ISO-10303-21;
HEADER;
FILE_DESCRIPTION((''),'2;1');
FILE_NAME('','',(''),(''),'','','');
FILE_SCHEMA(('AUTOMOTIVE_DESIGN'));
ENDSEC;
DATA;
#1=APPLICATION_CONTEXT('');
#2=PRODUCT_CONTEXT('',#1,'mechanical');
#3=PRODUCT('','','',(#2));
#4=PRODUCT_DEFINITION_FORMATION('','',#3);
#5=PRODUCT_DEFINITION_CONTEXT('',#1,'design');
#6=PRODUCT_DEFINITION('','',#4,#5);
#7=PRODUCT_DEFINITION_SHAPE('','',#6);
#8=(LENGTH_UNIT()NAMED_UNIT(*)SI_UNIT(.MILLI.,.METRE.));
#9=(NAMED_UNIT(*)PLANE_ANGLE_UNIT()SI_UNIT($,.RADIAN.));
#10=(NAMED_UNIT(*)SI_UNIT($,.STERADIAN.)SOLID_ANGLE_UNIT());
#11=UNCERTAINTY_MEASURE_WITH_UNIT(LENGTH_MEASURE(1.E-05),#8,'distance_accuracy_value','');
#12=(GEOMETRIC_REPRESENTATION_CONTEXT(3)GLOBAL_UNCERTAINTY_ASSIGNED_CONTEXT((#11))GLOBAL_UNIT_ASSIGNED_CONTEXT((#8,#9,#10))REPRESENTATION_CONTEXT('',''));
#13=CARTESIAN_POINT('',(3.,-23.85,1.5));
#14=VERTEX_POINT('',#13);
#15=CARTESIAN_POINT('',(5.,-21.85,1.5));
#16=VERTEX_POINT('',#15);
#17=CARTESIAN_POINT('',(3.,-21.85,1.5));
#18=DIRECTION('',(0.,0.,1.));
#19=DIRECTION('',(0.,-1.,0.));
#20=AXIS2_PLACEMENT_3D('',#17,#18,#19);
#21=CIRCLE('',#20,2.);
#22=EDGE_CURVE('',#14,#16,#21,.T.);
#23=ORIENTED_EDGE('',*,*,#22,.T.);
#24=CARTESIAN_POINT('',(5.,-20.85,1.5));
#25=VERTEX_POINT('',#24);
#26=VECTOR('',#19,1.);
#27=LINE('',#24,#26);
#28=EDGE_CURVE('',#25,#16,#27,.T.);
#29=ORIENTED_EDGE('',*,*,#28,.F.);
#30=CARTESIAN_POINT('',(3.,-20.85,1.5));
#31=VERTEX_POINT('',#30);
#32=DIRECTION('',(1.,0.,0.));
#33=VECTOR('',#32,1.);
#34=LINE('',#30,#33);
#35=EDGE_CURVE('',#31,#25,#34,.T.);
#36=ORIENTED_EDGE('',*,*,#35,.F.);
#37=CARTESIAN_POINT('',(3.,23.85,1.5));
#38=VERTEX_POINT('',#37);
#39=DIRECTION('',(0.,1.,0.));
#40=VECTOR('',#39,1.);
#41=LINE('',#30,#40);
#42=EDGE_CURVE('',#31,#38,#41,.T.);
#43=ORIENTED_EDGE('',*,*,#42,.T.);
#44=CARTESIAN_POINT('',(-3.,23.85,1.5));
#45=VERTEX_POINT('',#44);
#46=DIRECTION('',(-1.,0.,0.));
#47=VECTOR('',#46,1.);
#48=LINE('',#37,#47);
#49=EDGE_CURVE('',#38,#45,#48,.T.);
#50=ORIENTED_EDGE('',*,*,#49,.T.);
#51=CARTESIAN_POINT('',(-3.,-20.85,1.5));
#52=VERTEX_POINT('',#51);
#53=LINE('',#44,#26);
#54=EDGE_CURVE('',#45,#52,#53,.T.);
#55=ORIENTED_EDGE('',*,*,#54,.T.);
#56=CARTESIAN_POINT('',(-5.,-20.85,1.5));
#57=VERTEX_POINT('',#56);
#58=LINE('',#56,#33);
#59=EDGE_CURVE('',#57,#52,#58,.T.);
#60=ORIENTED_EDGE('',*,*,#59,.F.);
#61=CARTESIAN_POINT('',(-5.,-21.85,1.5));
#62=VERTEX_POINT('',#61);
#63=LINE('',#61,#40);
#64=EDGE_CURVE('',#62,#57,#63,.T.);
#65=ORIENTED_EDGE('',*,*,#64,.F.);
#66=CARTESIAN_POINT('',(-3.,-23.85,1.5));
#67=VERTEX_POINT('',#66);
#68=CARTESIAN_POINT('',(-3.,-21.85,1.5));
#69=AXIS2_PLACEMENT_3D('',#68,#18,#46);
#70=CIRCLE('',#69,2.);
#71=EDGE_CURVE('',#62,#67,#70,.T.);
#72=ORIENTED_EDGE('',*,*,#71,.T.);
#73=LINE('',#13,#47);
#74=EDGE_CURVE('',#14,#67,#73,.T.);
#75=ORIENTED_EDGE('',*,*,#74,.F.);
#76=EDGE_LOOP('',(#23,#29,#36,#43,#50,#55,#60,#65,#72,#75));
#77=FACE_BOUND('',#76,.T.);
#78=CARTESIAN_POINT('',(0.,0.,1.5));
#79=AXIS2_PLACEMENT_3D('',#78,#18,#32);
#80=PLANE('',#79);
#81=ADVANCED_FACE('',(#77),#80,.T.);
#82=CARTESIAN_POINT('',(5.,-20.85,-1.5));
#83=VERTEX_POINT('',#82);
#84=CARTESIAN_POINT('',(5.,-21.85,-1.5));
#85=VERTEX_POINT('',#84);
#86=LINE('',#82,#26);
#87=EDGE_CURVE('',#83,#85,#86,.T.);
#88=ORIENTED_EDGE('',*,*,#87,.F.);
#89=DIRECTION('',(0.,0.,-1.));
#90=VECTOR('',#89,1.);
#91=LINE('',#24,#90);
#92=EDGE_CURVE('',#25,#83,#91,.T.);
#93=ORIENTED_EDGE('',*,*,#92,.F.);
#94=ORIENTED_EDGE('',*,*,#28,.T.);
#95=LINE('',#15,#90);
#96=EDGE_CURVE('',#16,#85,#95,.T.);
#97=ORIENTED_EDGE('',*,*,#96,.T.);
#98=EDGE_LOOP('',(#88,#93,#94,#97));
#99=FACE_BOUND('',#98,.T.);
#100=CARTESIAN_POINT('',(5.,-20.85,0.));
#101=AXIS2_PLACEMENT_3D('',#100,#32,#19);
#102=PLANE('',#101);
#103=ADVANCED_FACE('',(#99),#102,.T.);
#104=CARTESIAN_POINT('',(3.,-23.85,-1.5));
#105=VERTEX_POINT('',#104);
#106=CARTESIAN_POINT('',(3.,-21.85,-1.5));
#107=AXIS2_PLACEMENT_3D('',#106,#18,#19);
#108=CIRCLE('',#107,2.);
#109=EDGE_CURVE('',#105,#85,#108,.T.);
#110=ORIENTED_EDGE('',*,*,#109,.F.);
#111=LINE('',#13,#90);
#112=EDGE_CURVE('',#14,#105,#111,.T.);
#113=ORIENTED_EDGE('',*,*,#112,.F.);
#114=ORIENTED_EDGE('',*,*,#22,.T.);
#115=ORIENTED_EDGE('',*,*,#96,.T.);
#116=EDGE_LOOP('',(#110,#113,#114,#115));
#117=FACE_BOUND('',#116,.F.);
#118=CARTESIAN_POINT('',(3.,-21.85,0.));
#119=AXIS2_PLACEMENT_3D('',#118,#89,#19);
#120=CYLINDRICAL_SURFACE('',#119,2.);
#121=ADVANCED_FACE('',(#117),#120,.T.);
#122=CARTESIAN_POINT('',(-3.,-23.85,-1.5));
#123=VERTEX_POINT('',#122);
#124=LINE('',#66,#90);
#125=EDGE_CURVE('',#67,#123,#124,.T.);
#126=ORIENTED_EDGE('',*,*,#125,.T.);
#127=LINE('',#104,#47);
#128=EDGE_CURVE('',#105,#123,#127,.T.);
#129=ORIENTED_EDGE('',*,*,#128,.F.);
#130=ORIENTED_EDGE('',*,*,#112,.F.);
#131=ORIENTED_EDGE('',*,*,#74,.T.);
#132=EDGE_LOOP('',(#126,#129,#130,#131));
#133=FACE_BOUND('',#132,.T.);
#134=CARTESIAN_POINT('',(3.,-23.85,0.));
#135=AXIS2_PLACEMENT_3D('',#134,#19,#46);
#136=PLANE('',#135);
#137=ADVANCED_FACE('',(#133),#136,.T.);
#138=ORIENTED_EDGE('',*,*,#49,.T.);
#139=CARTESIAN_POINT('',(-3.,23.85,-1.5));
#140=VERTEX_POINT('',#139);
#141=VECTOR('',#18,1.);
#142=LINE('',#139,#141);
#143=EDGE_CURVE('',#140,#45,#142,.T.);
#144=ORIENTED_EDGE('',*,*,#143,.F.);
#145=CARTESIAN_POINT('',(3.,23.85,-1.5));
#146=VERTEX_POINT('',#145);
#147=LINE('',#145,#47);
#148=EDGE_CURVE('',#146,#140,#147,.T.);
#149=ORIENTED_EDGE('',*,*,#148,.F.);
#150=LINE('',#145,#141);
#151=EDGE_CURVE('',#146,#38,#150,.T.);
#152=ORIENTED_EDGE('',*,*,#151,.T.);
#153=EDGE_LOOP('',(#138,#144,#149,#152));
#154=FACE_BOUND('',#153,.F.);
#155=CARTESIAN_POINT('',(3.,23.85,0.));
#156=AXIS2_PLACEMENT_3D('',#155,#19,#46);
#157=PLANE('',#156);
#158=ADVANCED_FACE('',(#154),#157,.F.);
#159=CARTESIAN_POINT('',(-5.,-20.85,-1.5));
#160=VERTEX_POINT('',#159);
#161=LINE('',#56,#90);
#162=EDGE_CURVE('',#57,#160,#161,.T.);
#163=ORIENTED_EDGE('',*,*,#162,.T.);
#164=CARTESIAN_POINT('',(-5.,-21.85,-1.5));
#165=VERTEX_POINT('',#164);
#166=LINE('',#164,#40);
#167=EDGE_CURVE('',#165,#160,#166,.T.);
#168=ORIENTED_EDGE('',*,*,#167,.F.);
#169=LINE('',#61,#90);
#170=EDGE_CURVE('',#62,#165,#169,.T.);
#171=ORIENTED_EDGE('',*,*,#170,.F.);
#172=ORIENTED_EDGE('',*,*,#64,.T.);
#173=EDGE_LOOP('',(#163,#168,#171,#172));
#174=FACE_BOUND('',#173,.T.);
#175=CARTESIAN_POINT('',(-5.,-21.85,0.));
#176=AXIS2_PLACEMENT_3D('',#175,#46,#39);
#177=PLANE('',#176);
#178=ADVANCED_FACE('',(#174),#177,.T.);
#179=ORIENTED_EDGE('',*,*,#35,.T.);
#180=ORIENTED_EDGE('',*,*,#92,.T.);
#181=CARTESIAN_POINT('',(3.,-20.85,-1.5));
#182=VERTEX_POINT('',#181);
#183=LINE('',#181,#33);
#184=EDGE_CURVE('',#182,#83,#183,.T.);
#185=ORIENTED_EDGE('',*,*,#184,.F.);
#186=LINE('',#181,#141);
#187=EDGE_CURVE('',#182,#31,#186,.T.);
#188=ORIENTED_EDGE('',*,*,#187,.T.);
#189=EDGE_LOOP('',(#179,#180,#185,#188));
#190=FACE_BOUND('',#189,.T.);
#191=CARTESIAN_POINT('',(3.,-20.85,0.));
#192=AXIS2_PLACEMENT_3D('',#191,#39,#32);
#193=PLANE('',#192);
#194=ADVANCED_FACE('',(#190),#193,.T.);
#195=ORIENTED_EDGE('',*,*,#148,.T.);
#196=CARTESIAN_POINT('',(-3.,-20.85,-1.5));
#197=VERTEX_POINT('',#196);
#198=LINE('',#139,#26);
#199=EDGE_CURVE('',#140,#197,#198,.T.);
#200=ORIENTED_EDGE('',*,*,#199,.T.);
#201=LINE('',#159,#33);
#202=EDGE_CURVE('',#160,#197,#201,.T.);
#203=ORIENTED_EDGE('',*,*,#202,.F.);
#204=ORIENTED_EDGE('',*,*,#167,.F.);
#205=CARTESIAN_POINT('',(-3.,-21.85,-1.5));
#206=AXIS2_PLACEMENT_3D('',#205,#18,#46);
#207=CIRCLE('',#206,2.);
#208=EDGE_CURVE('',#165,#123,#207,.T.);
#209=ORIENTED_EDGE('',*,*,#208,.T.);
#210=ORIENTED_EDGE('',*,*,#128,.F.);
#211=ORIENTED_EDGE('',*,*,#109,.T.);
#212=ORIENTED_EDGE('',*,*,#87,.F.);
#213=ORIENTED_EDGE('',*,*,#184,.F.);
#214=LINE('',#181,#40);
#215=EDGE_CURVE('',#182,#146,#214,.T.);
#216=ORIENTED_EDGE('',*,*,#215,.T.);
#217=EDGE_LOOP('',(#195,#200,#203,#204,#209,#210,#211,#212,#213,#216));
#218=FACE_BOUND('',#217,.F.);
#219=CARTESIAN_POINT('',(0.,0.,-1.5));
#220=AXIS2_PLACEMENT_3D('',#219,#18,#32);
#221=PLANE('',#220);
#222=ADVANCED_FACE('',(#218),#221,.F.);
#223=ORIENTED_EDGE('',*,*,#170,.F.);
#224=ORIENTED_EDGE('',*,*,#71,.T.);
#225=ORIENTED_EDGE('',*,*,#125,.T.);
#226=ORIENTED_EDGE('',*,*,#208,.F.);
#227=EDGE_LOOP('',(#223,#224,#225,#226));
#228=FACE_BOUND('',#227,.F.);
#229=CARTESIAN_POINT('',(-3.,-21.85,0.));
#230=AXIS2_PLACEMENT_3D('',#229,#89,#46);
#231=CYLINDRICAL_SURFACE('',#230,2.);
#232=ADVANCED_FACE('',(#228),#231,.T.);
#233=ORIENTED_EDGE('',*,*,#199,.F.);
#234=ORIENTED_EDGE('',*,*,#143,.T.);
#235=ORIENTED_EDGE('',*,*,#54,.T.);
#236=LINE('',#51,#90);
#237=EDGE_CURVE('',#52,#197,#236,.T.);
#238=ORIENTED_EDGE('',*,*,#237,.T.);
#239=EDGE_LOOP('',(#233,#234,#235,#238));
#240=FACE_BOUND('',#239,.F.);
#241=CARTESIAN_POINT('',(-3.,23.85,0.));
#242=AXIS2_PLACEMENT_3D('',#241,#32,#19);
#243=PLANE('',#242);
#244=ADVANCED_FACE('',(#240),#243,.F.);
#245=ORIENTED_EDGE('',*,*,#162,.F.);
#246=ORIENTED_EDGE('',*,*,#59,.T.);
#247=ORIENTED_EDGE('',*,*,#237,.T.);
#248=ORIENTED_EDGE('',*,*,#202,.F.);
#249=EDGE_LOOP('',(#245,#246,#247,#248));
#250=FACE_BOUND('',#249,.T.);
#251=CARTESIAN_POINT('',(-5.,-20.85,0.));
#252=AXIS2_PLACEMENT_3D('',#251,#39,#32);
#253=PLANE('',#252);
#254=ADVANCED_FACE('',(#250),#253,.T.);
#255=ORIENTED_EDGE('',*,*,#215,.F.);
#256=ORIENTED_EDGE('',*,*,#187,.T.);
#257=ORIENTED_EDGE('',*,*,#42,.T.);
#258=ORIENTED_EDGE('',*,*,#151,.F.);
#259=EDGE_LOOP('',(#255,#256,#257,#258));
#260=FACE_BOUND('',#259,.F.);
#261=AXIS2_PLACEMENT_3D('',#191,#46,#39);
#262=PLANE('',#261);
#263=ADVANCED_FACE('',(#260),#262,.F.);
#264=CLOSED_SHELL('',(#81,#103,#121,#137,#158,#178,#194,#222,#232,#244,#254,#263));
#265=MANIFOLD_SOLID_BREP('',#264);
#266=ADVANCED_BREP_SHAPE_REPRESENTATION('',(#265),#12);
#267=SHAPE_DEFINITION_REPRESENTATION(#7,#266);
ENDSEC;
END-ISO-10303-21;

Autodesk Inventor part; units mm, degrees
ref_plane "YZ Plane" through (0, 0, 0) normal (1, 0, 0) x (0, 1, 0)
ref_plane "XZ Plane" through (0, 0, 0) normal (0, 1, 0) x (-1, 0, 0)
ref_plane "XY Plane" through (0, 0, 0) normal (0, 0, 1) x (1, 0, 0)
sketch "草圖1" plane through (0, 0, 0) normal (0, 0, 1) x (1, 0, 0)
  line L0 (3, -20.85) -> (3, 23.85)
  line L1 (3, 23.85) -> (-3, 23.85)
  line L2 (-3, 23.85) -> (-3, -20.85)
  line L3 (-3, -23.85) -> (3, 23.85) construction
  line L4 (3, -23.85) -> (-3, 23.85) construction
  line L5 (5, -20.85) -> (5, -21.85)
  line L6 (3, -23.85) -> (-3, -23.85)
  line L7 (-5, -21.85) -> (-5, -20.85)
  line L8 (-5, -20.85) -> (-3, -20.85)
  line L9 (3, -20.85) -> (5, -20.85)
  line L10 (0, -16.0755) -> (0, 16.0755) construction
  arc A0 (-5, -21.85) -> (-3, -23.85) centre (-3, -21.85) ccw
  arc A1 (3, -23.85) -> (5, -21.85) centre (3, -21.85) ccw
  point P0 (0, 0)
  point P1 (5, -23.85)
  point P2 (-5, -23.85)
  dimension "d0" = 6
  dimension "d1" = 47.7
  dimension "d2" = 10
  dimension "d3" = 3
  dimension "d4" = 2
extrude "擠出1" add sketch "草圖1" along normal mid plane 3
properties part number "bolt"
